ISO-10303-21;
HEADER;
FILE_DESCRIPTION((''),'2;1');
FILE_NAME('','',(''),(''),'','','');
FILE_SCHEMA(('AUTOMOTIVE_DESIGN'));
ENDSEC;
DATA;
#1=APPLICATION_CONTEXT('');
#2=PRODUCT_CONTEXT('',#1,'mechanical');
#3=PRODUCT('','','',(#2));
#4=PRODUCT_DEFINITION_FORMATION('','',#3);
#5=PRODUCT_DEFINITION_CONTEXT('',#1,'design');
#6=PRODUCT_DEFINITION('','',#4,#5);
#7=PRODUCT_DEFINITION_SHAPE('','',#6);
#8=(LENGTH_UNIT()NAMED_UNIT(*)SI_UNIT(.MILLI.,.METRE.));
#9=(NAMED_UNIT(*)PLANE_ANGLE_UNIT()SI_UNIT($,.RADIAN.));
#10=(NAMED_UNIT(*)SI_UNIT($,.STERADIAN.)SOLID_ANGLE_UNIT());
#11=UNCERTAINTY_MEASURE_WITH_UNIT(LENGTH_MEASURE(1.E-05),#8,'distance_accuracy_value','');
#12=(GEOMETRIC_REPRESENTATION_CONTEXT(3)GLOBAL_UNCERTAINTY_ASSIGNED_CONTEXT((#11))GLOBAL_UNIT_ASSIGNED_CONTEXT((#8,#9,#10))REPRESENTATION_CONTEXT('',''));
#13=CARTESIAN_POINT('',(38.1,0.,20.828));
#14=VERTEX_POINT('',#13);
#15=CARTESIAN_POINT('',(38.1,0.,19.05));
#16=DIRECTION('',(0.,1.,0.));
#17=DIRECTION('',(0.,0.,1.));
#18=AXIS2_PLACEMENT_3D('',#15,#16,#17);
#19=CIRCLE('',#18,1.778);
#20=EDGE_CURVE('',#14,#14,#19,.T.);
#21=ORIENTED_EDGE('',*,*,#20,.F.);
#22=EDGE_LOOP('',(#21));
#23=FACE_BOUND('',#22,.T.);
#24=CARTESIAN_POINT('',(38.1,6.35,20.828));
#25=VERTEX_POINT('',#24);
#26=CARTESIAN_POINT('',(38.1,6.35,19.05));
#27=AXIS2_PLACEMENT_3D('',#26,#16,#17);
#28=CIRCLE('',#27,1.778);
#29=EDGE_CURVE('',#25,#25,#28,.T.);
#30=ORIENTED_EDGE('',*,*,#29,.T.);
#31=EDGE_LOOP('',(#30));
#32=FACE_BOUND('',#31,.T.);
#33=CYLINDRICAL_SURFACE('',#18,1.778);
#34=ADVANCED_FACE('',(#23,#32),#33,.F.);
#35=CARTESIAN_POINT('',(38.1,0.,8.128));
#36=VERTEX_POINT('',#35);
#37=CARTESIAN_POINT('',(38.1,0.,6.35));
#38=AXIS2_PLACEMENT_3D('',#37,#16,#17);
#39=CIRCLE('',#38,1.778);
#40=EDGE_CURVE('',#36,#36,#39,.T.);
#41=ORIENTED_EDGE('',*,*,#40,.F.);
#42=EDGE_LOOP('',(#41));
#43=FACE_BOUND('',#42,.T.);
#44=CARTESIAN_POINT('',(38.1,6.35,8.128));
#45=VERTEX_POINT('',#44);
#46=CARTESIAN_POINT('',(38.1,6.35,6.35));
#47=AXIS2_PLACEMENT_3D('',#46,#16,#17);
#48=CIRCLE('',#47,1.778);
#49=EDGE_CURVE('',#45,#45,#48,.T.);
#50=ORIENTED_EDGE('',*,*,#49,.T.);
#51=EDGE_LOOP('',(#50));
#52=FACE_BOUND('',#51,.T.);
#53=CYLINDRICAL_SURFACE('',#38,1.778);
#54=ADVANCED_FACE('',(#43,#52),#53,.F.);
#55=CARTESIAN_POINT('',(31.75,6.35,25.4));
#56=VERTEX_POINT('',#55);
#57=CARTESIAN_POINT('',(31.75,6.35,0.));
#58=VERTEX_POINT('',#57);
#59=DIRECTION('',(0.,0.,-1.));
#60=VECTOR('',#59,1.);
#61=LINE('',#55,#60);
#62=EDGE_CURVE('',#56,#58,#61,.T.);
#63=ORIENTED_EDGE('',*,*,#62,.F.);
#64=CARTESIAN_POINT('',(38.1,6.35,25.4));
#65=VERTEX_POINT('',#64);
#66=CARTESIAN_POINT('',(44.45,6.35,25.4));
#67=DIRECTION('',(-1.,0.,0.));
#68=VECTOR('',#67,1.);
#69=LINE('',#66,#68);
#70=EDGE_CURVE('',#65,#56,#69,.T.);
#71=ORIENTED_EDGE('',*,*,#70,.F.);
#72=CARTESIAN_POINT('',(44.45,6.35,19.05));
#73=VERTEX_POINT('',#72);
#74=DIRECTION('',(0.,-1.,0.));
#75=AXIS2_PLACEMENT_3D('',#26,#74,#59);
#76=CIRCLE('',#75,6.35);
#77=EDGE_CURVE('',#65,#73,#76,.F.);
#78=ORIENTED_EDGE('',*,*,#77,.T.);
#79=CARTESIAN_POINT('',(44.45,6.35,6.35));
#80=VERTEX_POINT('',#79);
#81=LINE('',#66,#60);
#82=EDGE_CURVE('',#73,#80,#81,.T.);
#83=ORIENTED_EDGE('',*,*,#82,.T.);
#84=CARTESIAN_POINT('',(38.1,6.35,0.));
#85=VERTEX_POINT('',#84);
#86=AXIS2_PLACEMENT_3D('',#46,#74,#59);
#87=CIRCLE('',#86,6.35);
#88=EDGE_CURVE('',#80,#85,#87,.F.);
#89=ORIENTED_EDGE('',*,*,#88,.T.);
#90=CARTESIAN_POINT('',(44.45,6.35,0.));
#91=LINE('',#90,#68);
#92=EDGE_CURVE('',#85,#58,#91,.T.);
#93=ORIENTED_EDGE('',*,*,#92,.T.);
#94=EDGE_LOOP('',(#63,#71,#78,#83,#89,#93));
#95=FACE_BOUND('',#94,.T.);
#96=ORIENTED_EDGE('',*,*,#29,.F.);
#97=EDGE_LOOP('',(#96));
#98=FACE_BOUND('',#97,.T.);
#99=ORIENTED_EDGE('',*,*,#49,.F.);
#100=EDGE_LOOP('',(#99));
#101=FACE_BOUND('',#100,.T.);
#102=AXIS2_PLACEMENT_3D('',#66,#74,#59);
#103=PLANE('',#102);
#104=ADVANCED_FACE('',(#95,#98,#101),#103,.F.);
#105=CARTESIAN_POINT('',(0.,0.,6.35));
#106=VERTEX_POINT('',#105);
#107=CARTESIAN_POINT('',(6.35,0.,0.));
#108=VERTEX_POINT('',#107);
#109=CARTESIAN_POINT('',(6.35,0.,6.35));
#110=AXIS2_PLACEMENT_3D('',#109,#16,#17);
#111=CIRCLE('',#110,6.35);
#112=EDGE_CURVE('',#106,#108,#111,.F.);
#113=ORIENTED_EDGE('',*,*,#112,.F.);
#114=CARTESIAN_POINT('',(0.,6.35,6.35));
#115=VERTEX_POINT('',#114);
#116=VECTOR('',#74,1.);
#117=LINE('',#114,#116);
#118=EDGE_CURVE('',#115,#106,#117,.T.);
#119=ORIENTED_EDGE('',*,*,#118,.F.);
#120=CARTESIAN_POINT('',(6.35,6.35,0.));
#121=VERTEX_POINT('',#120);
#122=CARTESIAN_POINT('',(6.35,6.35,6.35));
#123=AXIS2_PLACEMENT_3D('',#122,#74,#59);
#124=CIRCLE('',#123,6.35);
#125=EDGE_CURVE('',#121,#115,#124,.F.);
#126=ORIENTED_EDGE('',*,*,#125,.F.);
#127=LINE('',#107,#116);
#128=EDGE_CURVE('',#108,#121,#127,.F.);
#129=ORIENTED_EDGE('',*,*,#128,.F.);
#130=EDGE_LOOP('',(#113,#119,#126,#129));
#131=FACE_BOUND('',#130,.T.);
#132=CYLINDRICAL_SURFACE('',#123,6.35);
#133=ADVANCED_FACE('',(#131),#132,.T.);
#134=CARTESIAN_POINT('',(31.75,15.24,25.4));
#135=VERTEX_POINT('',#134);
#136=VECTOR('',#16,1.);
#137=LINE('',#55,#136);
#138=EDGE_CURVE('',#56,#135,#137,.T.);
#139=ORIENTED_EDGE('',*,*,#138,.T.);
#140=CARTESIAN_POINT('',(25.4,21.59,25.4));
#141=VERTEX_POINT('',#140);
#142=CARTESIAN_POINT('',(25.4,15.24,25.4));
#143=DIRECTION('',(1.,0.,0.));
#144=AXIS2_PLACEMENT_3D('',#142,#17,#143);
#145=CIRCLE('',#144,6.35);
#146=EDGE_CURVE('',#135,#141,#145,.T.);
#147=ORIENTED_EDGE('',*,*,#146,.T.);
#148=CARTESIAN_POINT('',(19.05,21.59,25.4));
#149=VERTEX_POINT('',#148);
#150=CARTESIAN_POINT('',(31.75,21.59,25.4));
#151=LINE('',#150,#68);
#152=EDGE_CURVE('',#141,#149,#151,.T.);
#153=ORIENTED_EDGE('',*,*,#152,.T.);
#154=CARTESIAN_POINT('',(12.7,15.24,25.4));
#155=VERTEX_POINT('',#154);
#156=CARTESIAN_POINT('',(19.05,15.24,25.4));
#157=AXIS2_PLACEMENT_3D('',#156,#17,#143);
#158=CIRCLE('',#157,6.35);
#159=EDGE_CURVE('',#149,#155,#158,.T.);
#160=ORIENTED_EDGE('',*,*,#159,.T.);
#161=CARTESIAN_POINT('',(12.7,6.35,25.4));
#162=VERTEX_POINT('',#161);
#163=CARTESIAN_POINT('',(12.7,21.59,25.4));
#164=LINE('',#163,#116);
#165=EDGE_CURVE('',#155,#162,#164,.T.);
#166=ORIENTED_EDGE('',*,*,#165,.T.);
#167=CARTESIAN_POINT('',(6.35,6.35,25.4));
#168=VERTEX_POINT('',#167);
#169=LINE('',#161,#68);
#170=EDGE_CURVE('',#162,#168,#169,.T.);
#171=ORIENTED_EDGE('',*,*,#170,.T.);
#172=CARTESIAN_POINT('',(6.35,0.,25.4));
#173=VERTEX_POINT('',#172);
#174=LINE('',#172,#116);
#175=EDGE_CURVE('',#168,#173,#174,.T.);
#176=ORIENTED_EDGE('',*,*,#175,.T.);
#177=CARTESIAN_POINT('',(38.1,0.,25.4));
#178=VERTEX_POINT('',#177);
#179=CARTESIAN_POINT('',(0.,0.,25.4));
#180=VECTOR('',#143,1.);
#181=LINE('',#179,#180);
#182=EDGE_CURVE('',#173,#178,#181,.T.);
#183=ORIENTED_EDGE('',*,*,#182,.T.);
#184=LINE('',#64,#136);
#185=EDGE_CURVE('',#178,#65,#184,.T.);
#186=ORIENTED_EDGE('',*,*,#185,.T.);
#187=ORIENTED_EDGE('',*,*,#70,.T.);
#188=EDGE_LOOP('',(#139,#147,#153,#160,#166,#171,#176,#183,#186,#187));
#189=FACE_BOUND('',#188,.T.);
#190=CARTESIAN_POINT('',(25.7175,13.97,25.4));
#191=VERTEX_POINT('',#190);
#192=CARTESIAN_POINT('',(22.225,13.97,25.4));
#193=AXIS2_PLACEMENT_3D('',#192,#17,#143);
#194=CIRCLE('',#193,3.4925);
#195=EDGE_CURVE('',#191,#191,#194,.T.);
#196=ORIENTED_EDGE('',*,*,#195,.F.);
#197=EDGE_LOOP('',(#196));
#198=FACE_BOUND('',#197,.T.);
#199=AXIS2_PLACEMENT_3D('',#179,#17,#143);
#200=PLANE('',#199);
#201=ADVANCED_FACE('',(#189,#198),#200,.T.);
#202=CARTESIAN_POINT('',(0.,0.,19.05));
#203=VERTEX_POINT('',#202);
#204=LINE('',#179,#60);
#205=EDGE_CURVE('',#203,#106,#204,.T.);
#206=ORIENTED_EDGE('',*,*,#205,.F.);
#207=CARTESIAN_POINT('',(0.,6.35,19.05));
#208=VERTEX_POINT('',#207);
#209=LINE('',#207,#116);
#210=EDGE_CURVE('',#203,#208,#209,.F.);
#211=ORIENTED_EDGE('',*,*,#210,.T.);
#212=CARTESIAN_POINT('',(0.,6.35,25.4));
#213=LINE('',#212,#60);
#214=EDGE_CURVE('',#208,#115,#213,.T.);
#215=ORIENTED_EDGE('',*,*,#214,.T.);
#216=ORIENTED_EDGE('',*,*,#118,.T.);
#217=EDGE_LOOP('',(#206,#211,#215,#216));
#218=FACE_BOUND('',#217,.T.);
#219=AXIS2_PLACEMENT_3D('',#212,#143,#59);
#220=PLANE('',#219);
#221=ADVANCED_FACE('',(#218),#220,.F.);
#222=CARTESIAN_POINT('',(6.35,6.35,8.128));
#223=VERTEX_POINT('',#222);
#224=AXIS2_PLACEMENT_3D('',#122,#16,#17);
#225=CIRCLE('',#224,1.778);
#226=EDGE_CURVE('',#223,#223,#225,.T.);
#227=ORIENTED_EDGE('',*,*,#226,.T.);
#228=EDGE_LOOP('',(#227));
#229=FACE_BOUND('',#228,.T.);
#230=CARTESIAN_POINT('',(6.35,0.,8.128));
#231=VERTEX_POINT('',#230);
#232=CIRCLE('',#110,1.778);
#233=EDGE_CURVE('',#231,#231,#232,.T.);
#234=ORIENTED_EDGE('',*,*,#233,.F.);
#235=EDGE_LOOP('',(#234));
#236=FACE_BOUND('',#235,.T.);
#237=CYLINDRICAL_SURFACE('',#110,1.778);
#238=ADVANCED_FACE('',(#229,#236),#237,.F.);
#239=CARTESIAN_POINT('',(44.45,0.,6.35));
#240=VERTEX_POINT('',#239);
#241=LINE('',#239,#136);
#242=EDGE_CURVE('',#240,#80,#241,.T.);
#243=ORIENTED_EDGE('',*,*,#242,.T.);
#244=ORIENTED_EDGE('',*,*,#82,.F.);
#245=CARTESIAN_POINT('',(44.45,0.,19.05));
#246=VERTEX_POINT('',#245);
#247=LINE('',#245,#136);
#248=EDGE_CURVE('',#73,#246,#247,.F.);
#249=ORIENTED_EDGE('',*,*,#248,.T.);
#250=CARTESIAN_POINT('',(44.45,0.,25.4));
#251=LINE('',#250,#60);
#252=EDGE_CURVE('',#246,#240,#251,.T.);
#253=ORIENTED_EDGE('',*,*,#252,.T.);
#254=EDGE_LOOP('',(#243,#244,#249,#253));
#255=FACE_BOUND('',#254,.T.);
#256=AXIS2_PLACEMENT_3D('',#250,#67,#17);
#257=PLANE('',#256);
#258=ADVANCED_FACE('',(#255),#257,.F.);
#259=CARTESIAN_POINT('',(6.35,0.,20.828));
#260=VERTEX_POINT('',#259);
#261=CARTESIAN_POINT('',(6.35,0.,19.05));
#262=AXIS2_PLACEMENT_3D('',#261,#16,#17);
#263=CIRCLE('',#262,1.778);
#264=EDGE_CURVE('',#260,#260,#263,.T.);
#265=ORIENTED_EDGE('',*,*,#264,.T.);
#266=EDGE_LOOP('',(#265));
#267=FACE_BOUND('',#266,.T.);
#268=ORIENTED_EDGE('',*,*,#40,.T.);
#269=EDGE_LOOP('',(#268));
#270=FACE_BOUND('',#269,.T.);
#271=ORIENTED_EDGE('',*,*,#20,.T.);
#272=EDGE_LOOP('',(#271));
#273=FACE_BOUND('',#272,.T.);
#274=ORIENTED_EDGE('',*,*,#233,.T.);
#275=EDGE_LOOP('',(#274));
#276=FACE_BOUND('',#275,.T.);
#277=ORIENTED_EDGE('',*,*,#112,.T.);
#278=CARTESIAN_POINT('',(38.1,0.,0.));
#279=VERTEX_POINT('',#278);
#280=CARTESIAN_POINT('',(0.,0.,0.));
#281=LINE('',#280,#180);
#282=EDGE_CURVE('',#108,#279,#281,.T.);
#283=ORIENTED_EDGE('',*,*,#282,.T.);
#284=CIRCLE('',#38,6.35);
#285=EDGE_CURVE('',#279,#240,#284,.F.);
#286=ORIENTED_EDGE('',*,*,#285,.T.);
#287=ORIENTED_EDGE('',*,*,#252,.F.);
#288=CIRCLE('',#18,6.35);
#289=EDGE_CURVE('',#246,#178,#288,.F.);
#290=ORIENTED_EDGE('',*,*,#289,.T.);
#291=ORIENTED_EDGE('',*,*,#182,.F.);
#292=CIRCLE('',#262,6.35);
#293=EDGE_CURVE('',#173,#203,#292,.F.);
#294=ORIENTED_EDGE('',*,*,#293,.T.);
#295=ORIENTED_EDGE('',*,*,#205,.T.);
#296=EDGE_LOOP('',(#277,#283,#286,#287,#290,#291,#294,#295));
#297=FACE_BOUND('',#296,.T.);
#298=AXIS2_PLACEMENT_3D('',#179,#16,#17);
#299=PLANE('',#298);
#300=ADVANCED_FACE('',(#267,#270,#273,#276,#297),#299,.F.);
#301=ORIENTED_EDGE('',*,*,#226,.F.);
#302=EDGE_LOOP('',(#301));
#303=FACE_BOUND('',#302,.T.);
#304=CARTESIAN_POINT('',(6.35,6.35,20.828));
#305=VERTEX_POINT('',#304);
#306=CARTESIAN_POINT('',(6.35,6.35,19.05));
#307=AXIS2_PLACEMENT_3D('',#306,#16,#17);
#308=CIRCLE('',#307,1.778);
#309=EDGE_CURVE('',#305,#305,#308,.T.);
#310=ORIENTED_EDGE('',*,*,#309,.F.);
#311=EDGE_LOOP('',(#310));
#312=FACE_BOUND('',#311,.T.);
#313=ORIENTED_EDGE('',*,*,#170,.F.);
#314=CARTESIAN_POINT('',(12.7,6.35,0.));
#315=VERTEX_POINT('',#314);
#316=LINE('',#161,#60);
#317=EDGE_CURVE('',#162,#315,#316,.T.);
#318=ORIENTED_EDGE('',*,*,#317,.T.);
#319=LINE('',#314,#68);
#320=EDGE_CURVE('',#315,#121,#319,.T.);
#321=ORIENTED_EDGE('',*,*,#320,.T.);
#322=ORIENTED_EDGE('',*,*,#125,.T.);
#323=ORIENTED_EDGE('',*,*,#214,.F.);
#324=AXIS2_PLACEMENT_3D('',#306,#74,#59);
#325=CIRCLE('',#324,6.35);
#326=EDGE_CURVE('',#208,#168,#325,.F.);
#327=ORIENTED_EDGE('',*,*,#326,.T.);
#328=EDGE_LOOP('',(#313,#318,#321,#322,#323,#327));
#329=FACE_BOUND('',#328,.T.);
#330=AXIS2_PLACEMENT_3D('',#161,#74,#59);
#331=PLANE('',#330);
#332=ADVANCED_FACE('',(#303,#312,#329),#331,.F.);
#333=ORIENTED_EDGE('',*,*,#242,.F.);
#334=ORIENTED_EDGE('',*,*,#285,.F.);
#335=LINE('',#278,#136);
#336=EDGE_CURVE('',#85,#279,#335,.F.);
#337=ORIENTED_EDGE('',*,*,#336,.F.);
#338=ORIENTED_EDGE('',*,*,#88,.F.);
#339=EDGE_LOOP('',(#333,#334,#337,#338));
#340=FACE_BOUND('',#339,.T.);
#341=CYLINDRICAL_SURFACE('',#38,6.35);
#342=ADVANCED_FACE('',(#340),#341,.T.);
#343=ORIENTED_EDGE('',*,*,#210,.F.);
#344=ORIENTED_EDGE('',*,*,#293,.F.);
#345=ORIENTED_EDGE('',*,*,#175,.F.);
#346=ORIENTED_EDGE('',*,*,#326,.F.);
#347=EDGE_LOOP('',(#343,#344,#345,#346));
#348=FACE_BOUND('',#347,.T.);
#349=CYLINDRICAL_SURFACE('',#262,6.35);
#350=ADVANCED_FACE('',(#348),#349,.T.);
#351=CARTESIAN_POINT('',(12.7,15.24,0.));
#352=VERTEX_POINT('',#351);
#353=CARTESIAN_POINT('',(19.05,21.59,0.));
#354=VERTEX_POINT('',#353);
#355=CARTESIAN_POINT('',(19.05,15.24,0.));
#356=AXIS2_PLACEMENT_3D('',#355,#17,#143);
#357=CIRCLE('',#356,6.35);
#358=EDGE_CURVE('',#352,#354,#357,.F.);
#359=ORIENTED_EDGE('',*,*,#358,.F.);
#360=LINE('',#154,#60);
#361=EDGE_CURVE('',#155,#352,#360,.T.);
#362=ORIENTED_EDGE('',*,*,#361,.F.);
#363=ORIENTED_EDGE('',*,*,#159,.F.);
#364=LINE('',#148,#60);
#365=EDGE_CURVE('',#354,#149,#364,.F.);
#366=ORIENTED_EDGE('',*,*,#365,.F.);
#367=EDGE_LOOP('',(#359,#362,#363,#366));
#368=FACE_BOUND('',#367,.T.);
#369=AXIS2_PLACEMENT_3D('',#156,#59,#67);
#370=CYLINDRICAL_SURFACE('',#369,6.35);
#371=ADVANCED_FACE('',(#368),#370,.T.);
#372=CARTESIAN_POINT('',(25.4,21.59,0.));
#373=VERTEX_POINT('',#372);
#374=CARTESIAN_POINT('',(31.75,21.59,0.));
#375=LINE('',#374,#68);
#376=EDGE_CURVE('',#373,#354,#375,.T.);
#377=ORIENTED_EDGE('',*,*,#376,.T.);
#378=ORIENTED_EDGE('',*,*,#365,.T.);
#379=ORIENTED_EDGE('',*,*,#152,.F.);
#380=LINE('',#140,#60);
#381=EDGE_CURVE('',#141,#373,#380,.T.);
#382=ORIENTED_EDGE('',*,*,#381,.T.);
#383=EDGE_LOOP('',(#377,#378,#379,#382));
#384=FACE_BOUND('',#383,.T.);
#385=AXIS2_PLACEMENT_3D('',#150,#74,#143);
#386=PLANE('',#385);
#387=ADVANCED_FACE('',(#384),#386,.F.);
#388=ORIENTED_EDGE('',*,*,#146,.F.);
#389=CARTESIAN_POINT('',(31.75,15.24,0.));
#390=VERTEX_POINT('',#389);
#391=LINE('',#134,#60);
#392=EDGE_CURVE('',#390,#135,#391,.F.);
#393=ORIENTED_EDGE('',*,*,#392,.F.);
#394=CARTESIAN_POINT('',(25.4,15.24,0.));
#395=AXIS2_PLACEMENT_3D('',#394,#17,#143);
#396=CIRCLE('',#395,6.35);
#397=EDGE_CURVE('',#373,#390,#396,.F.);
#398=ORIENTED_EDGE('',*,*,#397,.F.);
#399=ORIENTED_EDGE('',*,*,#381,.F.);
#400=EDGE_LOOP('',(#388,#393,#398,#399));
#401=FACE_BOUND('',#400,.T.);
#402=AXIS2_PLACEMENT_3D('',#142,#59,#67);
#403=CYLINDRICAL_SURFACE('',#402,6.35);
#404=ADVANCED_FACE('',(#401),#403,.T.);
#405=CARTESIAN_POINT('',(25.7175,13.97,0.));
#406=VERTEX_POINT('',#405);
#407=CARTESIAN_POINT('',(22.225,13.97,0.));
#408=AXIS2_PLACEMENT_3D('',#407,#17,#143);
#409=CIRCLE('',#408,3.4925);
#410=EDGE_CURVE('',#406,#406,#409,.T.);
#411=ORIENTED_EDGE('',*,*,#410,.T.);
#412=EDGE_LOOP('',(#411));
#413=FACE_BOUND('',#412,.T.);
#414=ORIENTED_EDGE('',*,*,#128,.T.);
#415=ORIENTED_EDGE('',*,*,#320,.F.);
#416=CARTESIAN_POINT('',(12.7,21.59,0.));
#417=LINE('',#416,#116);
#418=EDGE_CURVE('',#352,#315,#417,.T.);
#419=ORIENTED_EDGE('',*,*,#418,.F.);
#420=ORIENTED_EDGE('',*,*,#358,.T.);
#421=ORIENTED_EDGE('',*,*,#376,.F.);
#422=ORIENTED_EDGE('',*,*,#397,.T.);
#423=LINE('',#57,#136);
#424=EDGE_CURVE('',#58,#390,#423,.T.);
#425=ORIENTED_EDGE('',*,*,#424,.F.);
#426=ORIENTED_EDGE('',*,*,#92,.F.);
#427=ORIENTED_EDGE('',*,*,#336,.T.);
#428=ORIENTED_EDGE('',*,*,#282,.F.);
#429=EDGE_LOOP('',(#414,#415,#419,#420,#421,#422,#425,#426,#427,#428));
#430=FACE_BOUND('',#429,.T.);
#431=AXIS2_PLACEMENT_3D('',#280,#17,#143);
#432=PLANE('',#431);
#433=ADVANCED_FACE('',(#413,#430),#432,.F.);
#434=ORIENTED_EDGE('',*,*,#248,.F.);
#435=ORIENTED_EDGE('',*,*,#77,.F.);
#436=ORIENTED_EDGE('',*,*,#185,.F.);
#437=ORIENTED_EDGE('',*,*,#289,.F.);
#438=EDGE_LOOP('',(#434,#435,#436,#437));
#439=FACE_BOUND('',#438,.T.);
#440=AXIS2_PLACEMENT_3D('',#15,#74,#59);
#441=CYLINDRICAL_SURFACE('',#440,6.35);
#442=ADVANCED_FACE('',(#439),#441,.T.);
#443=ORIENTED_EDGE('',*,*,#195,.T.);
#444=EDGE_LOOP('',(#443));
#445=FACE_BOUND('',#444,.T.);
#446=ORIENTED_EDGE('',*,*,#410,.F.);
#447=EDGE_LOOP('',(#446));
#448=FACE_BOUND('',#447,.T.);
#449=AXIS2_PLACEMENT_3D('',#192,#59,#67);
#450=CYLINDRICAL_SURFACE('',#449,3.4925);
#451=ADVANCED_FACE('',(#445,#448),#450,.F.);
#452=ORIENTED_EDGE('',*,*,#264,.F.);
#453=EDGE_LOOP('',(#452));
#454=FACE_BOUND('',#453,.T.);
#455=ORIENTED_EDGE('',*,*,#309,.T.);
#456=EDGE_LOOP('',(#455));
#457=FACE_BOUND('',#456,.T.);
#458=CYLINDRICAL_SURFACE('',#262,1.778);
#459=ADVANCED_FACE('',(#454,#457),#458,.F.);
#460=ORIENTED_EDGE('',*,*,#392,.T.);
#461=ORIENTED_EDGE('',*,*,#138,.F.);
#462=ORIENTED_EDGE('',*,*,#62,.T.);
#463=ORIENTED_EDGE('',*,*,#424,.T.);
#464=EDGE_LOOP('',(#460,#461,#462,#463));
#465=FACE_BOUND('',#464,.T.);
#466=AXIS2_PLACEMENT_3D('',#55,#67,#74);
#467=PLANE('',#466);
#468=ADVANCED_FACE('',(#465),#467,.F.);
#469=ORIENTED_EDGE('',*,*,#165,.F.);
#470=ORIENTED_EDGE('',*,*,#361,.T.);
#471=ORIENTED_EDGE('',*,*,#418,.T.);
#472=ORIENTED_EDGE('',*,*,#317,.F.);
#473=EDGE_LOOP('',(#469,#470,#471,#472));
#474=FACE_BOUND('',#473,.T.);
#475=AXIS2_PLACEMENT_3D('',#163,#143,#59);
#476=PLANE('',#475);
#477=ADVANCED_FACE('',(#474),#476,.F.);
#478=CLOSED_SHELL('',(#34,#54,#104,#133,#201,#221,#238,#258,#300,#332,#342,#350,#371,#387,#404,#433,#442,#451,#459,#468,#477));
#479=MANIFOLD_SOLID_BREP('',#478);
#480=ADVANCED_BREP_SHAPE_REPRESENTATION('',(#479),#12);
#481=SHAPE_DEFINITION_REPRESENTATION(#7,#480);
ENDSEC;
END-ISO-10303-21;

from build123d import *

# Parameters (mm, degrees)
SKETCH1_R           = 3.4925
BOSS_EXTRUDE1_DEPTH = 25.4
SKETCH2_R           = 1.778
CUT_EXTRUDE1_DEPTH  = 54.415541746
FILLET2_R           = 6.35
FILLET1_R           = 6.35


with BuildPart() as part:
    # Sketch1 → Boss-Extrude1 (new body)
    with BuildSketch(Plane.XY):
        Polygon((0, 0), (44.45, 0), (44.45, 6.35), (31.75, 6.35), (31.75, 21.59), (12.7, 21.59), (12.7, 6.35), (0, 6.35), align=None)
        with Locations((22.225, 13.97)):
            Circle(SKETCH1_R, mode=Mode.SUBTRACT)
    extrude(amount=BOSS_EXTRUDE1_DEPTH)

    # Sketch2 → Cut-Extrude1 (cut, through all)
    with BuildSketch(Plane(origin=(0, 6.35, 0), x_dir=(1, 0, 0), z_dir=(0, 1, 0))):
        with Locations(Location((6.35, -6.35, 0), (0, 0, 270))):
            Circle(SKETCH2_R)
        with Locations(Location((6.35, -19.05, 0), (0, 0, 270))):
            Circle(SKETCH2_R)
        with Locations(Location((38.1, -6.35, 0), (0, 0, 270))):
            Circle(SKETCH2_R)
        with Locations(Location((38.1, -19.05, 0), (0, 0, 270))):
            Circle(SKETCH2_R)
    extrude(amount=-CUT_EXTRUDE1_DEPTH, mode=Mode.SUBTRACT)

    # Fillet2
    fillet2_edges = [part.edges().sort_by_distance(p)[0] for p in [
        (12.7, 21.59, 12.7),
        (31.75, 21.59, 12.7),
    ]]
    fillet(fillet2_edges, radius=FILLET2_R)

    # Fillet1
    fillet1_edges = [part.edges().sort_by_distance(p)[0] for p in [
        (44.45, 3.175, 0),
        (0, 3.175, 0),
        (44.45, 3.175, 25.4),
        (0, 3.175, 25.4),
    ]]
    fillet(fillet1_edges, radius=FILLET1_R)


solid = part.part
